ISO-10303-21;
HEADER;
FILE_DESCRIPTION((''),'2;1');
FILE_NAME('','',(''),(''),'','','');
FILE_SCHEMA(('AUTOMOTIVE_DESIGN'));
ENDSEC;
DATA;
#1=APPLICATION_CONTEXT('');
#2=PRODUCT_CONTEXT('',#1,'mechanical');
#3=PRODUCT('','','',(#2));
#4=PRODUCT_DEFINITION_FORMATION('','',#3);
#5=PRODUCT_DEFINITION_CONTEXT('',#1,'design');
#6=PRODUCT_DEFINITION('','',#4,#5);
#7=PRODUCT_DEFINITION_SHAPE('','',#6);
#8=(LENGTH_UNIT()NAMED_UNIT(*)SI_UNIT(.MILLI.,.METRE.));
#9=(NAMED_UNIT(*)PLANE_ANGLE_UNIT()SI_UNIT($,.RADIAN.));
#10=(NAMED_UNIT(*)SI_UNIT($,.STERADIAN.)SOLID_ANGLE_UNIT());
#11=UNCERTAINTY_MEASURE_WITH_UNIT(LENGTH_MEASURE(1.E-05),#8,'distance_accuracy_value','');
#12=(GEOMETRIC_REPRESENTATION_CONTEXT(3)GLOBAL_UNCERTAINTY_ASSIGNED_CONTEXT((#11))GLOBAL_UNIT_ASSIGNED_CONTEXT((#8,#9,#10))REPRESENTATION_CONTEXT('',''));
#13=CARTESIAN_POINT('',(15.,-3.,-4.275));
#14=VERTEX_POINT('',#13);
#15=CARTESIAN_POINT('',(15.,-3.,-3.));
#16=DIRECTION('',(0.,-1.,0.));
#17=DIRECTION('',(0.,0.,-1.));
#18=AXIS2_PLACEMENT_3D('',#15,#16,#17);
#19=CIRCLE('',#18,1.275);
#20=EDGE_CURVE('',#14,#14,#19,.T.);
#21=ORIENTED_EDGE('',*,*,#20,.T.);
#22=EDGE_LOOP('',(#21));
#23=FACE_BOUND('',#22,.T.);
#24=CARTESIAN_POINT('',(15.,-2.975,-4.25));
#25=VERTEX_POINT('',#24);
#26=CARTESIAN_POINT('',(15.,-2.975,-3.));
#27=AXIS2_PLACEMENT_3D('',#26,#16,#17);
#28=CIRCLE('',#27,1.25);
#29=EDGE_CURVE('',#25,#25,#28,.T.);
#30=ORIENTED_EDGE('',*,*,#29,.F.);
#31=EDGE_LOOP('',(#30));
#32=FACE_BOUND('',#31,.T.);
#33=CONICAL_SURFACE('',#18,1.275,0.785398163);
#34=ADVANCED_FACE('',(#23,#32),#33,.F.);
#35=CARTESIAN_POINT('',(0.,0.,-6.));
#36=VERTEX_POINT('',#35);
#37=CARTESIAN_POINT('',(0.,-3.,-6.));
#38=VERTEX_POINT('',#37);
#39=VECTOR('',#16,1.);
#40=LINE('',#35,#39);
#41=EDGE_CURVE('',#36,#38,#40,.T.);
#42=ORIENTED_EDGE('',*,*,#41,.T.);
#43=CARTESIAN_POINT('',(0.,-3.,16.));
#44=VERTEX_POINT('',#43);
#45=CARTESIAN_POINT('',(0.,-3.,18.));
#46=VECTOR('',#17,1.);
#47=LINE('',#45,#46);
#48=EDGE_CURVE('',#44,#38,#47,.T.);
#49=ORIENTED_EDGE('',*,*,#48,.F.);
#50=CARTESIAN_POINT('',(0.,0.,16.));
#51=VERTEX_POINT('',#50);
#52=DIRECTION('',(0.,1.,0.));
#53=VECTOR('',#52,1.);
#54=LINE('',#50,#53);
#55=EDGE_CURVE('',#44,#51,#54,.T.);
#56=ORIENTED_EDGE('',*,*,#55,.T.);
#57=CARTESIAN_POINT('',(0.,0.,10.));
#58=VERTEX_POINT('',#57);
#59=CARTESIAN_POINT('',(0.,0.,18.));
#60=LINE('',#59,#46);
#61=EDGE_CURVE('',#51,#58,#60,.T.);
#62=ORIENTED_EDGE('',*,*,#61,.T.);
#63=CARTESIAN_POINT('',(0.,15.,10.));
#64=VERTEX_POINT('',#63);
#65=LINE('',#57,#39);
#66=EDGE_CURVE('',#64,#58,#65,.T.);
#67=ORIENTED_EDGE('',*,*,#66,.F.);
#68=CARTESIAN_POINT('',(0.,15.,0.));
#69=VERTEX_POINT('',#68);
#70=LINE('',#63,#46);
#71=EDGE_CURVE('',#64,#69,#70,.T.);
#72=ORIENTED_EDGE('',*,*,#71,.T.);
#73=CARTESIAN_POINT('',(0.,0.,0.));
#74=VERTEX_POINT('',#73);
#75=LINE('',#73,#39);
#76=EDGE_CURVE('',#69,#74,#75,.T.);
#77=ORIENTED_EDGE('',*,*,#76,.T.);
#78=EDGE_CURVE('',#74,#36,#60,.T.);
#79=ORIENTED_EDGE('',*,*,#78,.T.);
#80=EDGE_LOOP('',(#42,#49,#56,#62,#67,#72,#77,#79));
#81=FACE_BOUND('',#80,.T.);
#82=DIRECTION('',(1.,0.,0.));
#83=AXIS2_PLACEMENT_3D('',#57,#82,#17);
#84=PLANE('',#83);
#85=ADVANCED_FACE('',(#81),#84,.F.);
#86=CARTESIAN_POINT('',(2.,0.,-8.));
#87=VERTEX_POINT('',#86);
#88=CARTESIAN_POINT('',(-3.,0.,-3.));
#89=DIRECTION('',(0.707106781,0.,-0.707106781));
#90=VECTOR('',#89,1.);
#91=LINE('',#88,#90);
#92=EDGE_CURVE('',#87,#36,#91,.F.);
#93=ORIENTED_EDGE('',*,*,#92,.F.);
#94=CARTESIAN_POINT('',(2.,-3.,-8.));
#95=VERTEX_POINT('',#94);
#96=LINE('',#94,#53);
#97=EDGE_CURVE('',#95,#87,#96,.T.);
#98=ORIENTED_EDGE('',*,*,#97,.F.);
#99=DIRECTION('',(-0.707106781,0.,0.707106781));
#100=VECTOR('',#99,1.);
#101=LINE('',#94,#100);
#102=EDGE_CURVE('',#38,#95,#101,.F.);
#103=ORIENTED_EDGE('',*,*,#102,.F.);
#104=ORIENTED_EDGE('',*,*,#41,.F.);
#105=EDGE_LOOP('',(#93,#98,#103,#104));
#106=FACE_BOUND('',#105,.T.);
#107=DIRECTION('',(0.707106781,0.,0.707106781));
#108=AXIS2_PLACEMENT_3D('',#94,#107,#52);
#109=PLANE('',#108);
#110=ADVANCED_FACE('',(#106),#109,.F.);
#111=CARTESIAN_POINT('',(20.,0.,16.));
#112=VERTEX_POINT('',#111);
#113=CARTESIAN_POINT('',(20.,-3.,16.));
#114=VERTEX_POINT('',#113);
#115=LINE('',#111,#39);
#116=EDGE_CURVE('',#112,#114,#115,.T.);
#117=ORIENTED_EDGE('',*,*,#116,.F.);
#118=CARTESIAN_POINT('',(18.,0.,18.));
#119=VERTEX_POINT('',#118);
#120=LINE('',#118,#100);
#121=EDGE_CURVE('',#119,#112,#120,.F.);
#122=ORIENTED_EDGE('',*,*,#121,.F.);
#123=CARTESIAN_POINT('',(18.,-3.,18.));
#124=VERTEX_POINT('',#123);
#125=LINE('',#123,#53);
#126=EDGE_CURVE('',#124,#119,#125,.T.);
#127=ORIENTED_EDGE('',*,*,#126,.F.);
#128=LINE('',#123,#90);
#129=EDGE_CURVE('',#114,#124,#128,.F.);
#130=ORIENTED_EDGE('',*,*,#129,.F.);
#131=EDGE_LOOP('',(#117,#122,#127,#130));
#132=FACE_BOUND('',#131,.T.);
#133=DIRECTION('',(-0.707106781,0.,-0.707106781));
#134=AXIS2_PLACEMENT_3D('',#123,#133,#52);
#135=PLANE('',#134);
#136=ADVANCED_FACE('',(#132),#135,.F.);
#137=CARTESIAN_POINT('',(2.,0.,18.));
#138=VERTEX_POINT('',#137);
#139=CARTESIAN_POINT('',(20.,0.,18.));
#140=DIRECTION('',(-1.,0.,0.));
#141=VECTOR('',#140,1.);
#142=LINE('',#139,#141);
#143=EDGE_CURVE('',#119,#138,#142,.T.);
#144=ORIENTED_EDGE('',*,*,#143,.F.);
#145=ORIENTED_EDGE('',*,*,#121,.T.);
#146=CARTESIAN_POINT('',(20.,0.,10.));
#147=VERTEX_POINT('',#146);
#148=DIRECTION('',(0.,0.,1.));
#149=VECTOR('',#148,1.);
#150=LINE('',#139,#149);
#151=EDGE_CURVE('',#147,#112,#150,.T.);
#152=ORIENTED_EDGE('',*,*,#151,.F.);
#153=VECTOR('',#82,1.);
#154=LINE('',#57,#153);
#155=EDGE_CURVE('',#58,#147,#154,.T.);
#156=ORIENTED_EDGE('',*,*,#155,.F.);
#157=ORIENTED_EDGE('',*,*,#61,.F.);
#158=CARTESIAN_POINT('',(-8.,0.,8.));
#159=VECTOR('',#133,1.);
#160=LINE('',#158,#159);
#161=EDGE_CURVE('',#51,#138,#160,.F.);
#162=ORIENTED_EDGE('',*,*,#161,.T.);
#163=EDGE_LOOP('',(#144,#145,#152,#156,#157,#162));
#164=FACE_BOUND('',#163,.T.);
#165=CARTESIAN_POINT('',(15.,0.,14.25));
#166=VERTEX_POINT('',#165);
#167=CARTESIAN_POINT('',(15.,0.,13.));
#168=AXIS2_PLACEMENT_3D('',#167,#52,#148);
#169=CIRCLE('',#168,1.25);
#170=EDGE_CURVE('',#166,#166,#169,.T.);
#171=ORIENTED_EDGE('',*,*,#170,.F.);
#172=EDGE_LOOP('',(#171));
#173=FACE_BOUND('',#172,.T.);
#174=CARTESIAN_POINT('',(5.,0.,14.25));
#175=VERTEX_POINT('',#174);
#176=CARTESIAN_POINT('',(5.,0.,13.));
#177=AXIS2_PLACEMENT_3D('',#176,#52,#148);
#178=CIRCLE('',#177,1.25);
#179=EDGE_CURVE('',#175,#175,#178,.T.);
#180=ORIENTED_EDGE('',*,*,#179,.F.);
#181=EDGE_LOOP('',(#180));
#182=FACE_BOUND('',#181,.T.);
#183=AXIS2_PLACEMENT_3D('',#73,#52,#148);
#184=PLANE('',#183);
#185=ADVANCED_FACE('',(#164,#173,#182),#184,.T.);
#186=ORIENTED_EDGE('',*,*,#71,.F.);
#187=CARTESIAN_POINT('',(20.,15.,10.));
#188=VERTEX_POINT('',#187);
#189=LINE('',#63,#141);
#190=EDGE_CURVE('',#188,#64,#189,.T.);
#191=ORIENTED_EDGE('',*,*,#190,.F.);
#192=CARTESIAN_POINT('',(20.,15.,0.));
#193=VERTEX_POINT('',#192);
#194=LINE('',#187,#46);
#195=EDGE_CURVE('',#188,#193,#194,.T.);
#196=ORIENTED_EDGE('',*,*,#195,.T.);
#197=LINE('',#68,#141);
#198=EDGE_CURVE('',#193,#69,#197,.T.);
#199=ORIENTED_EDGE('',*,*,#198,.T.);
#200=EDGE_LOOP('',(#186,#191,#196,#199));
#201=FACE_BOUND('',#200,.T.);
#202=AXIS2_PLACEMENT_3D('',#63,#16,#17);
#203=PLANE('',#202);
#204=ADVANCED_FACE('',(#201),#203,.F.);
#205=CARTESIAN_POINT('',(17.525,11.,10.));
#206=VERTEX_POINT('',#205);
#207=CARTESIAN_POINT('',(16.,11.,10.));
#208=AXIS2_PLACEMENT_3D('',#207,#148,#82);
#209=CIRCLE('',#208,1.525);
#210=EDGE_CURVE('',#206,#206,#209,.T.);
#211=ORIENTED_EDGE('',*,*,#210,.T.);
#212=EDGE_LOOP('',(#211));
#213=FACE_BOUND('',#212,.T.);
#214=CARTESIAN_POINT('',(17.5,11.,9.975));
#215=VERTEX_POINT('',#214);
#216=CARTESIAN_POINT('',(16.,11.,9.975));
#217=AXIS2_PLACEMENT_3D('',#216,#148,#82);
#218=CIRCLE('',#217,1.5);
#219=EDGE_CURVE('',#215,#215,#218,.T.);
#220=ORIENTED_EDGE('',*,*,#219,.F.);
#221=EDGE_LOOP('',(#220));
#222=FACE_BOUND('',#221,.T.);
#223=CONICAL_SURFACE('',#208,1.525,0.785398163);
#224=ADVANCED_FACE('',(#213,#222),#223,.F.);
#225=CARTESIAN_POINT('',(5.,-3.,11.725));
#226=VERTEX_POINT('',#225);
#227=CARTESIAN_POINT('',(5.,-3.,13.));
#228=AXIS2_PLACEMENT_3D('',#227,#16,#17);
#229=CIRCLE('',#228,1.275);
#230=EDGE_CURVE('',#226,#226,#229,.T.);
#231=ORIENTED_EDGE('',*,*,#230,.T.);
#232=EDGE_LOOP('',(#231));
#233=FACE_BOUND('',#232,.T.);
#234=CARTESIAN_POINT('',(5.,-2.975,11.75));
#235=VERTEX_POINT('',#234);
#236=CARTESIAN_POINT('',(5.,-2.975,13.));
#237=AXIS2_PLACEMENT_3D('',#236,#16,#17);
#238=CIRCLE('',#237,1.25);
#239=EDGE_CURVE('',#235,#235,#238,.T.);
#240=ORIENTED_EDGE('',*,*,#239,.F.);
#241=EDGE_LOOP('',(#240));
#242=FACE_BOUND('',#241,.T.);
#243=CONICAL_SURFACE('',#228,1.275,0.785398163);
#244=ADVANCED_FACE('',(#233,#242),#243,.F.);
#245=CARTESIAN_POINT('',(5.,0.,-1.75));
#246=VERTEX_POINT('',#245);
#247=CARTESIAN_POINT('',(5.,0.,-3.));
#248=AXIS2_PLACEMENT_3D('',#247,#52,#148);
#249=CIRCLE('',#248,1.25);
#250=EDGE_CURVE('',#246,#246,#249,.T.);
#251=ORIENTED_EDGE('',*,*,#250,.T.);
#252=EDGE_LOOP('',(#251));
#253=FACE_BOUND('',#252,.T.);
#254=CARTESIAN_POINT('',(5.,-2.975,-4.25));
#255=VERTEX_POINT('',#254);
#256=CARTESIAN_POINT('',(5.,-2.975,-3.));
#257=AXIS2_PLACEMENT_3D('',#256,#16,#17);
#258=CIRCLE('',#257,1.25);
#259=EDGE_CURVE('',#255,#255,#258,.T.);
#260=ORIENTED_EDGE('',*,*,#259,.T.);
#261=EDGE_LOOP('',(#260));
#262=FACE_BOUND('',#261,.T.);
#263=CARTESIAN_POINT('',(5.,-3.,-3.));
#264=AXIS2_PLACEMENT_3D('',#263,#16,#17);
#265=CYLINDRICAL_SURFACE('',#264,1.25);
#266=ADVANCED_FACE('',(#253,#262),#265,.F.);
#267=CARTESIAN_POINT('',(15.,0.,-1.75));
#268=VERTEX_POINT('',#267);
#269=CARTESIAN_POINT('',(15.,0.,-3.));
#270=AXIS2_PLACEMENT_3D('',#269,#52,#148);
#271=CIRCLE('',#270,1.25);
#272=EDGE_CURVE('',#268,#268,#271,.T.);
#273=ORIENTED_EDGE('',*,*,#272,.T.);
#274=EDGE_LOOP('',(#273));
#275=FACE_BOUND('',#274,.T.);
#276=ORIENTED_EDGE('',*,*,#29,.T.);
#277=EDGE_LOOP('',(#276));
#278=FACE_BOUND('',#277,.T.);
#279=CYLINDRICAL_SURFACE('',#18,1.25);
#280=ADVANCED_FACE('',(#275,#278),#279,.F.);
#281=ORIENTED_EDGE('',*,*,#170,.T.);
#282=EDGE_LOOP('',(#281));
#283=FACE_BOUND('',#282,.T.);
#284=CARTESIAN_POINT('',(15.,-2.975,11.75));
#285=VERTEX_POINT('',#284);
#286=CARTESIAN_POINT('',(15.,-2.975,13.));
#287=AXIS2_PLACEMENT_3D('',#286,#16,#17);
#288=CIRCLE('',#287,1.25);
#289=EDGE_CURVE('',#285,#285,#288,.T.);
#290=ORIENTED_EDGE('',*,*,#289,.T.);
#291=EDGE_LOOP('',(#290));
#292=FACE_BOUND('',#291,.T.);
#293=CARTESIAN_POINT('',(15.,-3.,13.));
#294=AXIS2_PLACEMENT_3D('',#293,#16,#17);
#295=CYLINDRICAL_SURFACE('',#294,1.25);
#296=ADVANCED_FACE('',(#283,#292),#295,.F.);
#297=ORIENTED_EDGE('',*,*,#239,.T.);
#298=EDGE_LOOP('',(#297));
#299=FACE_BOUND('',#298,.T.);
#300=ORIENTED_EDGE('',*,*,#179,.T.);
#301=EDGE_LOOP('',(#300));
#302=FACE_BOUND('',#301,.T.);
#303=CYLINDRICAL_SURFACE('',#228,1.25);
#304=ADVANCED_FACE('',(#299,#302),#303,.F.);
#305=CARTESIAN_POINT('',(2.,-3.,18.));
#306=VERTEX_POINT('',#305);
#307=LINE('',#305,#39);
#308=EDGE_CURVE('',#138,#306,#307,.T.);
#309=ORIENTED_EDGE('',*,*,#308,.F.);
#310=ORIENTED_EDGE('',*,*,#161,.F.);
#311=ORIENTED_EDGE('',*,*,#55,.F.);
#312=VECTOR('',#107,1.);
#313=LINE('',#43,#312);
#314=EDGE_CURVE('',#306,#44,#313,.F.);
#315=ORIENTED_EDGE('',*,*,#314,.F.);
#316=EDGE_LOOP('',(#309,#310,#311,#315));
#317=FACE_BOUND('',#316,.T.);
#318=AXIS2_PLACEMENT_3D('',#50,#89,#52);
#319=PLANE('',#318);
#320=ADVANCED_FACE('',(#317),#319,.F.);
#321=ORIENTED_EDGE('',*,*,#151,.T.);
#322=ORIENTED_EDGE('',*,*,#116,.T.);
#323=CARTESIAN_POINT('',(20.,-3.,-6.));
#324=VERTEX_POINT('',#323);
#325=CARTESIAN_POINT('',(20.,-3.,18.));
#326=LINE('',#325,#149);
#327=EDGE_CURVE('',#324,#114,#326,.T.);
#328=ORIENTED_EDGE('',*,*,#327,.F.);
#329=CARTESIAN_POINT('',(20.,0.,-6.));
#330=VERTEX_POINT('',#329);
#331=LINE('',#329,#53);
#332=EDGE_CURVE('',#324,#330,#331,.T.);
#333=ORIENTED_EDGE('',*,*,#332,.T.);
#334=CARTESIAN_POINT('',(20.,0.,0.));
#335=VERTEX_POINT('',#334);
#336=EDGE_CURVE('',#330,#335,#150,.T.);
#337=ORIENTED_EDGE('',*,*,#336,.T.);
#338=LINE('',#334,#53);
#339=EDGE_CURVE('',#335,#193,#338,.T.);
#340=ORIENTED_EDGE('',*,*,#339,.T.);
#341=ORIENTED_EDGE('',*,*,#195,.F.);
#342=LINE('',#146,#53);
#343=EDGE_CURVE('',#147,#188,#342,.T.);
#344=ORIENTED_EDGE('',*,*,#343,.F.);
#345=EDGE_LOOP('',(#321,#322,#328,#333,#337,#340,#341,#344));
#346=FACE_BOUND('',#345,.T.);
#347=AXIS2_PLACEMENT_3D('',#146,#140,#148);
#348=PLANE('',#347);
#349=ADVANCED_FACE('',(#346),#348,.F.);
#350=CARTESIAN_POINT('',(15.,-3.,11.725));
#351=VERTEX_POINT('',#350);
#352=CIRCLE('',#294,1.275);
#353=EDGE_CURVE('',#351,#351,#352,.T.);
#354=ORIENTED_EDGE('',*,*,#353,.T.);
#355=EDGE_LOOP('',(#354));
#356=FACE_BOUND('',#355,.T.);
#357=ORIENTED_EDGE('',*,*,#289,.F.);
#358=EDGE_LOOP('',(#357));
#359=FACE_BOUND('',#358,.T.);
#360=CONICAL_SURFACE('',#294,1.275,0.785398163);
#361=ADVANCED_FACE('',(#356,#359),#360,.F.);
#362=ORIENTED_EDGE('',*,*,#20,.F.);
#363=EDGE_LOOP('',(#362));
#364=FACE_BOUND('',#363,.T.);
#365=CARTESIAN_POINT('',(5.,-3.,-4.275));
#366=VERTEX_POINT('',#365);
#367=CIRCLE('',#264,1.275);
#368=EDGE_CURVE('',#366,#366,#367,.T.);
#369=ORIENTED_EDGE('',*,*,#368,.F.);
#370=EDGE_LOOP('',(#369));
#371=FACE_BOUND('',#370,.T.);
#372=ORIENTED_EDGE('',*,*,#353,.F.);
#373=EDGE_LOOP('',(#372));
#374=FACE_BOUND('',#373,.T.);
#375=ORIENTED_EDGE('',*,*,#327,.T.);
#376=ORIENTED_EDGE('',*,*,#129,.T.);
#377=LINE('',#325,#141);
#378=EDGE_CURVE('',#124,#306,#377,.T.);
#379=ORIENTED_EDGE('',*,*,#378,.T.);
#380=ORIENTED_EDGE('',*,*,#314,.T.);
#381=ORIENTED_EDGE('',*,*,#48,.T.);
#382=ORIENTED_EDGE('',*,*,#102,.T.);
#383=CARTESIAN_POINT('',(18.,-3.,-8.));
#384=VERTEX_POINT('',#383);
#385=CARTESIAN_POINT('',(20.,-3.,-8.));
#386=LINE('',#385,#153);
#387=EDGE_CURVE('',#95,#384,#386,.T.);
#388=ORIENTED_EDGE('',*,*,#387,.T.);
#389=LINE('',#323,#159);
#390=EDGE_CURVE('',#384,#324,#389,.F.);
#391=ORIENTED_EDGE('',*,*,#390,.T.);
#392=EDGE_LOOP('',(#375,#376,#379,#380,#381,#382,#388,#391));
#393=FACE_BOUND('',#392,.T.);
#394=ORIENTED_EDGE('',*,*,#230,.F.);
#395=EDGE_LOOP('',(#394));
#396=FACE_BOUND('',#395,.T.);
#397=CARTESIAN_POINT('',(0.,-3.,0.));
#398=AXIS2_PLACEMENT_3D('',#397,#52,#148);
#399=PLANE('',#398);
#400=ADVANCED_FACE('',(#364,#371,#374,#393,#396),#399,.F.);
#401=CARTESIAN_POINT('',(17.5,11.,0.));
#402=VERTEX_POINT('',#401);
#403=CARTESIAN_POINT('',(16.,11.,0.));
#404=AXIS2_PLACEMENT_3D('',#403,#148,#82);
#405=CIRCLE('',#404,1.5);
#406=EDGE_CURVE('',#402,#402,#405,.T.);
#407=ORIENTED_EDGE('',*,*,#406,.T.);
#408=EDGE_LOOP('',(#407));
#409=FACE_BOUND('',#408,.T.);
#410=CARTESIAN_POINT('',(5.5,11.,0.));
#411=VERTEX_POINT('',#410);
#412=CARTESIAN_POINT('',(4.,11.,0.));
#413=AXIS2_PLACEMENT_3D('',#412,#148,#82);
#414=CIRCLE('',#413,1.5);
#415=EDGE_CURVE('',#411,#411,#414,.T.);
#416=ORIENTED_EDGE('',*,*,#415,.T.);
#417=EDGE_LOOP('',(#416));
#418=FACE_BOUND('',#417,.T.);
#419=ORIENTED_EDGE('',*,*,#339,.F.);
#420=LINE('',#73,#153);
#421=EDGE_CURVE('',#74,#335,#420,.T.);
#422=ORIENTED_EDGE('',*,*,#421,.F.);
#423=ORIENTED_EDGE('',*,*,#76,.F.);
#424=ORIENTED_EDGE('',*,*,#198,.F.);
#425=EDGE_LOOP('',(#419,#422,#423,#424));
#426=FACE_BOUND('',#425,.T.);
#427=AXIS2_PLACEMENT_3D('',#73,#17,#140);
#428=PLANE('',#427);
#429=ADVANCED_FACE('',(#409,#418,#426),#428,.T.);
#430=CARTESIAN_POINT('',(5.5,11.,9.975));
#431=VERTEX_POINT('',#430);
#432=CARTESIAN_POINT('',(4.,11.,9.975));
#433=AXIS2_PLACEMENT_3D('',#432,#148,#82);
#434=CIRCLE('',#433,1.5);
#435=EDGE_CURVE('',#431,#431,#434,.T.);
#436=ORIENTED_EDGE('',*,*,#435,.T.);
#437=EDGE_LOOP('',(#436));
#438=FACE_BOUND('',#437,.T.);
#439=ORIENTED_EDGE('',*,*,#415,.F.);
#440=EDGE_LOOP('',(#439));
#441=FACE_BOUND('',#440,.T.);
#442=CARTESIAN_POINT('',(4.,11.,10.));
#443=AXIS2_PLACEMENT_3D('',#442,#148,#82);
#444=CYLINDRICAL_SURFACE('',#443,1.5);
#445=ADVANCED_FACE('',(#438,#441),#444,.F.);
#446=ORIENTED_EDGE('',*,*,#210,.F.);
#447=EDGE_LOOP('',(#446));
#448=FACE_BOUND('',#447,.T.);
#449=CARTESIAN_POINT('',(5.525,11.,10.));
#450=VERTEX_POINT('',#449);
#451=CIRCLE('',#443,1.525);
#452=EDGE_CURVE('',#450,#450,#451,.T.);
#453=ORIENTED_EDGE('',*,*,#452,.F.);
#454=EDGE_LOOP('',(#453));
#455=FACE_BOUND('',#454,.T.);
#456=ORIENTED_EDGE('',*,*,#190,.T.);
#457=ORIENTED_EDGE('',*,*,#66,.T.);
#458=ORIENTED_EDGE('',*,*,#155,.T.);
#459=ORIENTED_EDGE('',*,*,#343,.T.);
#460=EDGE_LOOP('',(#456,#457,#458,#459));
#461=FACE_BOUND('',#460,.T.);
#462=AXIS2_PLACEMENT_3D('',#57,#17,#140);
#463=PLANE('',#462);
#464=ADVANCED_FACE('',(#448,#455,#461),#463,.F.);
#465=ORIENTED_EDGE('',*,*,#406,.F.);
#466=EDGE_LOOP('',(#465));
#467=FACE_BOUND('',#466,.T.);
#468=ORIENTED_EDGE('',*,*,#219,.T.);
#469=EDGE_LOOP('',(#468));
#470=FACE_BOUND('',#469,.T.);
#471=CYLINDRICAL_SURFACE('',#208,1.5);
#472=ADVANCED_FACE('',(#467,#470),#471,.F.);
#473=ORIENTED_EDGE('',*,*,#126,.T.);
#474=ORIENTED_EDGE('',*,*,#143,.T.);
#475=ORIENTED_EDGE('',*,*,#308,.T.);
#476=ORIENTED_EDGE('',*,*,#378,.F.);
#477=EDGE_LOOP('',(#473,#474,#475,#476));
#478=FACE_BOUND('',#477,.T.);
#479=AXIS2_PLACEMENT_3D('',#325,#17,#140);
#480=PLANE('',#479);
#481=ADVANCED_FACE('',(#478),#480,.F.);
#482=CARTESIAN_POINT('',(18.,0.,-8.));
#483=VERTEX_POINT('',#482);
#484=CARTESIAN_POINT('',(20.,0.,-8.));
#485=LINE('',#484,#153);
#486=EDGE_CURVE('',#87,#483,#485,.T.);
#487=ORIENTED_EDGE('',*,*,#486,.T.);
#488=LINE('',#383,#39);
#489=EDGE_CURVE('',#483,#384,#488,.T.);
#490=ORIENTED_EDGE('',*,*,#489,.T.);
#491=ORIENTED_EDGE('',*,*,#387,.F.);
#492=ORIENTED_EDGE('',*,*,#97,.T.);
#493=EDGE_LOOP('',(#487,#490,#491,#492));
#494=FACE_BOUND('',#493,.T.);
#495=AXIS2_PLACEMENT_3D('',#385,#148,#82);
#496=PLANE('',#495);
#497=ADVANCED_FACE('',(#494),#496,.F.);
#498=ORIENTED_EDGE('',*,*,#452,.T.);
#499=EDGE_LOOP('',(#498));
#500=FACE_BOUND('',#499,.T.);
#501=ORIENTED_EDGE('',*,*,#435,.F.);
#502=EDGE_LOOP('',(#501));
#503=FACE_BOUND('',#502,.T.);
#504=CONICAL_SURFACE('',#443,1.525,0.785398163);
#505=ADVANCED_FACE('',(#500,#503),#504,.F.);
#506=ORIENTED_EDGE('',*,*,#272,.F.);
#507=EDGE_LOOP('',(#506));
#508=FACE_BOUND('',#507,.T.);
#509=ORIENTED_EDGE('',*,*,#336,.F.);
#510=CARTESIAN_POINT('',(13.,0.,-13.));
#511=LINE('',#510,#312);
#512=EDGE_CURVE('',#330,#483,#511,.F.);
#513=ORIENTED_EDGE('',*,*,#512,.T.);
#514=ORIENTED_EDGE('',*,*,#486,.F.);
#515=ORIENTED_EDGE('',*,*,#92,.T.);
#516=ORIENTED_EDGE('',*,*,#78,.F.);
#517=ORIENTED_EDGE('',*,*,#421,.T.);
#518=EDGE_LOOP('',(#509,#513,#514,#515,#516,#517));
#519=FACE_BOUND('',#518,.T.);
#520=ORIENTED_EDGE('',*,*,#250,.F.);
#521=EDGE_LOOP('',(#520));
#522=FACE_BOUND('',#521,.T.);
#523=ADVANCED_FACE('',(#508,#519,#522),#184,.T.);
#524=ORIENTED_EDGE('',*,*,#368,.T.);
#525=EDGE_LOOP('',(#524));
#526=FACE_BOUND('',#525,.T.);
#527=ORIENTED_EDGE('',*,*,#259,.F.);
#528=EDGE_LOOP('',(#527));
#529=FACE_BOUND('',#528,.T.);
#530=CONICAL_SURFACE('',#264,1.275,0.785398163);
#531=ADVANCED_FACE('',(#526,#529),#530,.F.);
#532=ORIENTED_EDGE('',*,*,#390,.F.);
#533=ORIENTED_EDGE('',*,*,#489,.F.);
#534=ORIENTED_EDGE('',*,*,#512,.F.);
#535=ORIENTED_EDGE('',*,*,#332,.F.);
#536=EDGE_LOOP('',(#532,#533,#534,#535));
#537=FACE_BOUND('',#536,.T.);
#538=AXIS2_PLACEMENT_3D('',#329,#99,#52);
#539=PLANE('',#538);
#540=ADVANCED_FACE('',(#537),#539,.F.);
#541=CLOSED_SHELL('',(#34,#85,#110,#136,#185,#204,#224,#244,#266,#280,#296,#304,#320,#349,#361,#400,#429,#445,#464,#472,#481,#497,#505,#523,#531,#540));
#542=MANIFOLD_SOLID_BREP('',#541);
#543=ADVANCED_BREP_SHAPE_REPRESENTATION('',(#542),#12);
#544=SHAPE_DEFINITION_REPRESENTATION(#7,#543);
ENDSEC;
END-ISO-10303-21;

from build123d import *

# Parameters (mm, degrees)
SKETCH_1_W            = 20
SKETCH_1_H            = 15
EXTRUDE_1_DEPTH       = 10
F_3_0MM_1_D           = 3
F_3_0MM_1_CSINK_D     = 3.05
F_3_0MM_1_CSINK_ANGLE = 90
SKETCH_3_W            = 20
SKETCH_3_H            = 26
EXTRUDE_2_DEPTH       = 3
F_2_5MM_1_D           = 2.5
F_2_5MM_1_CSINK_D     = 2.55
F_2_5MM_1_CSINK_ANGLE = 90
CHAMFER_1_SIZE        = 2


with BuildPart() as part:
    # 草图1 → 凸台-拉伸1 (new body)
    with BuildSketch(Plane.XY):
        with Locations((10, 7.5)):
            Rectangle(SKETCH_1_W, SKETCH_1_H)
    extrude(amount=EXTRUDE_1_DEPTH)

    # Ø3.0mm 暗销孔1 (through all)
    with Locations(Plane(origin=(4, 11, 10), x_dir=(1, 0, 0), z_dir=(0, 0, 1))):
        with Locations((0, 0), (12, 0)):
            CounterSinkHole(F_3_0MM_1_D / 2, F_3_0MM_1_CSINK_D / 2, counter_sink_angle=F_3_0MM_1_CSINK_ANGLE)

    # 草图3 → 凸台-拉伸2 (add)
    with BuildSketch(Plane.XZ):
        with Locations((10, 5)):
            Rectangle(SKETCH_3_W, SKETCH_3_H)
    extrude(amount=EXTRUDE_2_DEPTH)

    # Ø2.5mm 暗销孔1 (through all)
    with Locations(Plane(origin=(5, -3, 13), x_dir=(0, 0, -1), z_dir=(0, -1, 0))):
        with Locations((0, 0), (0, 10), (16, 0), (16, 10)):
            CounterSinkHole(F_2_5MM_1_D / 2, F_2_5MM_1_CSINK_D / 2, counter_sink_angle=F_2_5MM_1_CSINK_ANGLE)

    # 倒角1
    chamfer_1_edges = [part.edges().sort_by_distance(p)[0] for p in [
        (20, -1.5, -8),
        (20, -1.5, 18),
        (0, -1.5, 18),
        (0, -1.5, -8),
    ]]
    chamfer(chamfer_1_edges, length=CHAMFER_1_SIZE)


solid = part.part
